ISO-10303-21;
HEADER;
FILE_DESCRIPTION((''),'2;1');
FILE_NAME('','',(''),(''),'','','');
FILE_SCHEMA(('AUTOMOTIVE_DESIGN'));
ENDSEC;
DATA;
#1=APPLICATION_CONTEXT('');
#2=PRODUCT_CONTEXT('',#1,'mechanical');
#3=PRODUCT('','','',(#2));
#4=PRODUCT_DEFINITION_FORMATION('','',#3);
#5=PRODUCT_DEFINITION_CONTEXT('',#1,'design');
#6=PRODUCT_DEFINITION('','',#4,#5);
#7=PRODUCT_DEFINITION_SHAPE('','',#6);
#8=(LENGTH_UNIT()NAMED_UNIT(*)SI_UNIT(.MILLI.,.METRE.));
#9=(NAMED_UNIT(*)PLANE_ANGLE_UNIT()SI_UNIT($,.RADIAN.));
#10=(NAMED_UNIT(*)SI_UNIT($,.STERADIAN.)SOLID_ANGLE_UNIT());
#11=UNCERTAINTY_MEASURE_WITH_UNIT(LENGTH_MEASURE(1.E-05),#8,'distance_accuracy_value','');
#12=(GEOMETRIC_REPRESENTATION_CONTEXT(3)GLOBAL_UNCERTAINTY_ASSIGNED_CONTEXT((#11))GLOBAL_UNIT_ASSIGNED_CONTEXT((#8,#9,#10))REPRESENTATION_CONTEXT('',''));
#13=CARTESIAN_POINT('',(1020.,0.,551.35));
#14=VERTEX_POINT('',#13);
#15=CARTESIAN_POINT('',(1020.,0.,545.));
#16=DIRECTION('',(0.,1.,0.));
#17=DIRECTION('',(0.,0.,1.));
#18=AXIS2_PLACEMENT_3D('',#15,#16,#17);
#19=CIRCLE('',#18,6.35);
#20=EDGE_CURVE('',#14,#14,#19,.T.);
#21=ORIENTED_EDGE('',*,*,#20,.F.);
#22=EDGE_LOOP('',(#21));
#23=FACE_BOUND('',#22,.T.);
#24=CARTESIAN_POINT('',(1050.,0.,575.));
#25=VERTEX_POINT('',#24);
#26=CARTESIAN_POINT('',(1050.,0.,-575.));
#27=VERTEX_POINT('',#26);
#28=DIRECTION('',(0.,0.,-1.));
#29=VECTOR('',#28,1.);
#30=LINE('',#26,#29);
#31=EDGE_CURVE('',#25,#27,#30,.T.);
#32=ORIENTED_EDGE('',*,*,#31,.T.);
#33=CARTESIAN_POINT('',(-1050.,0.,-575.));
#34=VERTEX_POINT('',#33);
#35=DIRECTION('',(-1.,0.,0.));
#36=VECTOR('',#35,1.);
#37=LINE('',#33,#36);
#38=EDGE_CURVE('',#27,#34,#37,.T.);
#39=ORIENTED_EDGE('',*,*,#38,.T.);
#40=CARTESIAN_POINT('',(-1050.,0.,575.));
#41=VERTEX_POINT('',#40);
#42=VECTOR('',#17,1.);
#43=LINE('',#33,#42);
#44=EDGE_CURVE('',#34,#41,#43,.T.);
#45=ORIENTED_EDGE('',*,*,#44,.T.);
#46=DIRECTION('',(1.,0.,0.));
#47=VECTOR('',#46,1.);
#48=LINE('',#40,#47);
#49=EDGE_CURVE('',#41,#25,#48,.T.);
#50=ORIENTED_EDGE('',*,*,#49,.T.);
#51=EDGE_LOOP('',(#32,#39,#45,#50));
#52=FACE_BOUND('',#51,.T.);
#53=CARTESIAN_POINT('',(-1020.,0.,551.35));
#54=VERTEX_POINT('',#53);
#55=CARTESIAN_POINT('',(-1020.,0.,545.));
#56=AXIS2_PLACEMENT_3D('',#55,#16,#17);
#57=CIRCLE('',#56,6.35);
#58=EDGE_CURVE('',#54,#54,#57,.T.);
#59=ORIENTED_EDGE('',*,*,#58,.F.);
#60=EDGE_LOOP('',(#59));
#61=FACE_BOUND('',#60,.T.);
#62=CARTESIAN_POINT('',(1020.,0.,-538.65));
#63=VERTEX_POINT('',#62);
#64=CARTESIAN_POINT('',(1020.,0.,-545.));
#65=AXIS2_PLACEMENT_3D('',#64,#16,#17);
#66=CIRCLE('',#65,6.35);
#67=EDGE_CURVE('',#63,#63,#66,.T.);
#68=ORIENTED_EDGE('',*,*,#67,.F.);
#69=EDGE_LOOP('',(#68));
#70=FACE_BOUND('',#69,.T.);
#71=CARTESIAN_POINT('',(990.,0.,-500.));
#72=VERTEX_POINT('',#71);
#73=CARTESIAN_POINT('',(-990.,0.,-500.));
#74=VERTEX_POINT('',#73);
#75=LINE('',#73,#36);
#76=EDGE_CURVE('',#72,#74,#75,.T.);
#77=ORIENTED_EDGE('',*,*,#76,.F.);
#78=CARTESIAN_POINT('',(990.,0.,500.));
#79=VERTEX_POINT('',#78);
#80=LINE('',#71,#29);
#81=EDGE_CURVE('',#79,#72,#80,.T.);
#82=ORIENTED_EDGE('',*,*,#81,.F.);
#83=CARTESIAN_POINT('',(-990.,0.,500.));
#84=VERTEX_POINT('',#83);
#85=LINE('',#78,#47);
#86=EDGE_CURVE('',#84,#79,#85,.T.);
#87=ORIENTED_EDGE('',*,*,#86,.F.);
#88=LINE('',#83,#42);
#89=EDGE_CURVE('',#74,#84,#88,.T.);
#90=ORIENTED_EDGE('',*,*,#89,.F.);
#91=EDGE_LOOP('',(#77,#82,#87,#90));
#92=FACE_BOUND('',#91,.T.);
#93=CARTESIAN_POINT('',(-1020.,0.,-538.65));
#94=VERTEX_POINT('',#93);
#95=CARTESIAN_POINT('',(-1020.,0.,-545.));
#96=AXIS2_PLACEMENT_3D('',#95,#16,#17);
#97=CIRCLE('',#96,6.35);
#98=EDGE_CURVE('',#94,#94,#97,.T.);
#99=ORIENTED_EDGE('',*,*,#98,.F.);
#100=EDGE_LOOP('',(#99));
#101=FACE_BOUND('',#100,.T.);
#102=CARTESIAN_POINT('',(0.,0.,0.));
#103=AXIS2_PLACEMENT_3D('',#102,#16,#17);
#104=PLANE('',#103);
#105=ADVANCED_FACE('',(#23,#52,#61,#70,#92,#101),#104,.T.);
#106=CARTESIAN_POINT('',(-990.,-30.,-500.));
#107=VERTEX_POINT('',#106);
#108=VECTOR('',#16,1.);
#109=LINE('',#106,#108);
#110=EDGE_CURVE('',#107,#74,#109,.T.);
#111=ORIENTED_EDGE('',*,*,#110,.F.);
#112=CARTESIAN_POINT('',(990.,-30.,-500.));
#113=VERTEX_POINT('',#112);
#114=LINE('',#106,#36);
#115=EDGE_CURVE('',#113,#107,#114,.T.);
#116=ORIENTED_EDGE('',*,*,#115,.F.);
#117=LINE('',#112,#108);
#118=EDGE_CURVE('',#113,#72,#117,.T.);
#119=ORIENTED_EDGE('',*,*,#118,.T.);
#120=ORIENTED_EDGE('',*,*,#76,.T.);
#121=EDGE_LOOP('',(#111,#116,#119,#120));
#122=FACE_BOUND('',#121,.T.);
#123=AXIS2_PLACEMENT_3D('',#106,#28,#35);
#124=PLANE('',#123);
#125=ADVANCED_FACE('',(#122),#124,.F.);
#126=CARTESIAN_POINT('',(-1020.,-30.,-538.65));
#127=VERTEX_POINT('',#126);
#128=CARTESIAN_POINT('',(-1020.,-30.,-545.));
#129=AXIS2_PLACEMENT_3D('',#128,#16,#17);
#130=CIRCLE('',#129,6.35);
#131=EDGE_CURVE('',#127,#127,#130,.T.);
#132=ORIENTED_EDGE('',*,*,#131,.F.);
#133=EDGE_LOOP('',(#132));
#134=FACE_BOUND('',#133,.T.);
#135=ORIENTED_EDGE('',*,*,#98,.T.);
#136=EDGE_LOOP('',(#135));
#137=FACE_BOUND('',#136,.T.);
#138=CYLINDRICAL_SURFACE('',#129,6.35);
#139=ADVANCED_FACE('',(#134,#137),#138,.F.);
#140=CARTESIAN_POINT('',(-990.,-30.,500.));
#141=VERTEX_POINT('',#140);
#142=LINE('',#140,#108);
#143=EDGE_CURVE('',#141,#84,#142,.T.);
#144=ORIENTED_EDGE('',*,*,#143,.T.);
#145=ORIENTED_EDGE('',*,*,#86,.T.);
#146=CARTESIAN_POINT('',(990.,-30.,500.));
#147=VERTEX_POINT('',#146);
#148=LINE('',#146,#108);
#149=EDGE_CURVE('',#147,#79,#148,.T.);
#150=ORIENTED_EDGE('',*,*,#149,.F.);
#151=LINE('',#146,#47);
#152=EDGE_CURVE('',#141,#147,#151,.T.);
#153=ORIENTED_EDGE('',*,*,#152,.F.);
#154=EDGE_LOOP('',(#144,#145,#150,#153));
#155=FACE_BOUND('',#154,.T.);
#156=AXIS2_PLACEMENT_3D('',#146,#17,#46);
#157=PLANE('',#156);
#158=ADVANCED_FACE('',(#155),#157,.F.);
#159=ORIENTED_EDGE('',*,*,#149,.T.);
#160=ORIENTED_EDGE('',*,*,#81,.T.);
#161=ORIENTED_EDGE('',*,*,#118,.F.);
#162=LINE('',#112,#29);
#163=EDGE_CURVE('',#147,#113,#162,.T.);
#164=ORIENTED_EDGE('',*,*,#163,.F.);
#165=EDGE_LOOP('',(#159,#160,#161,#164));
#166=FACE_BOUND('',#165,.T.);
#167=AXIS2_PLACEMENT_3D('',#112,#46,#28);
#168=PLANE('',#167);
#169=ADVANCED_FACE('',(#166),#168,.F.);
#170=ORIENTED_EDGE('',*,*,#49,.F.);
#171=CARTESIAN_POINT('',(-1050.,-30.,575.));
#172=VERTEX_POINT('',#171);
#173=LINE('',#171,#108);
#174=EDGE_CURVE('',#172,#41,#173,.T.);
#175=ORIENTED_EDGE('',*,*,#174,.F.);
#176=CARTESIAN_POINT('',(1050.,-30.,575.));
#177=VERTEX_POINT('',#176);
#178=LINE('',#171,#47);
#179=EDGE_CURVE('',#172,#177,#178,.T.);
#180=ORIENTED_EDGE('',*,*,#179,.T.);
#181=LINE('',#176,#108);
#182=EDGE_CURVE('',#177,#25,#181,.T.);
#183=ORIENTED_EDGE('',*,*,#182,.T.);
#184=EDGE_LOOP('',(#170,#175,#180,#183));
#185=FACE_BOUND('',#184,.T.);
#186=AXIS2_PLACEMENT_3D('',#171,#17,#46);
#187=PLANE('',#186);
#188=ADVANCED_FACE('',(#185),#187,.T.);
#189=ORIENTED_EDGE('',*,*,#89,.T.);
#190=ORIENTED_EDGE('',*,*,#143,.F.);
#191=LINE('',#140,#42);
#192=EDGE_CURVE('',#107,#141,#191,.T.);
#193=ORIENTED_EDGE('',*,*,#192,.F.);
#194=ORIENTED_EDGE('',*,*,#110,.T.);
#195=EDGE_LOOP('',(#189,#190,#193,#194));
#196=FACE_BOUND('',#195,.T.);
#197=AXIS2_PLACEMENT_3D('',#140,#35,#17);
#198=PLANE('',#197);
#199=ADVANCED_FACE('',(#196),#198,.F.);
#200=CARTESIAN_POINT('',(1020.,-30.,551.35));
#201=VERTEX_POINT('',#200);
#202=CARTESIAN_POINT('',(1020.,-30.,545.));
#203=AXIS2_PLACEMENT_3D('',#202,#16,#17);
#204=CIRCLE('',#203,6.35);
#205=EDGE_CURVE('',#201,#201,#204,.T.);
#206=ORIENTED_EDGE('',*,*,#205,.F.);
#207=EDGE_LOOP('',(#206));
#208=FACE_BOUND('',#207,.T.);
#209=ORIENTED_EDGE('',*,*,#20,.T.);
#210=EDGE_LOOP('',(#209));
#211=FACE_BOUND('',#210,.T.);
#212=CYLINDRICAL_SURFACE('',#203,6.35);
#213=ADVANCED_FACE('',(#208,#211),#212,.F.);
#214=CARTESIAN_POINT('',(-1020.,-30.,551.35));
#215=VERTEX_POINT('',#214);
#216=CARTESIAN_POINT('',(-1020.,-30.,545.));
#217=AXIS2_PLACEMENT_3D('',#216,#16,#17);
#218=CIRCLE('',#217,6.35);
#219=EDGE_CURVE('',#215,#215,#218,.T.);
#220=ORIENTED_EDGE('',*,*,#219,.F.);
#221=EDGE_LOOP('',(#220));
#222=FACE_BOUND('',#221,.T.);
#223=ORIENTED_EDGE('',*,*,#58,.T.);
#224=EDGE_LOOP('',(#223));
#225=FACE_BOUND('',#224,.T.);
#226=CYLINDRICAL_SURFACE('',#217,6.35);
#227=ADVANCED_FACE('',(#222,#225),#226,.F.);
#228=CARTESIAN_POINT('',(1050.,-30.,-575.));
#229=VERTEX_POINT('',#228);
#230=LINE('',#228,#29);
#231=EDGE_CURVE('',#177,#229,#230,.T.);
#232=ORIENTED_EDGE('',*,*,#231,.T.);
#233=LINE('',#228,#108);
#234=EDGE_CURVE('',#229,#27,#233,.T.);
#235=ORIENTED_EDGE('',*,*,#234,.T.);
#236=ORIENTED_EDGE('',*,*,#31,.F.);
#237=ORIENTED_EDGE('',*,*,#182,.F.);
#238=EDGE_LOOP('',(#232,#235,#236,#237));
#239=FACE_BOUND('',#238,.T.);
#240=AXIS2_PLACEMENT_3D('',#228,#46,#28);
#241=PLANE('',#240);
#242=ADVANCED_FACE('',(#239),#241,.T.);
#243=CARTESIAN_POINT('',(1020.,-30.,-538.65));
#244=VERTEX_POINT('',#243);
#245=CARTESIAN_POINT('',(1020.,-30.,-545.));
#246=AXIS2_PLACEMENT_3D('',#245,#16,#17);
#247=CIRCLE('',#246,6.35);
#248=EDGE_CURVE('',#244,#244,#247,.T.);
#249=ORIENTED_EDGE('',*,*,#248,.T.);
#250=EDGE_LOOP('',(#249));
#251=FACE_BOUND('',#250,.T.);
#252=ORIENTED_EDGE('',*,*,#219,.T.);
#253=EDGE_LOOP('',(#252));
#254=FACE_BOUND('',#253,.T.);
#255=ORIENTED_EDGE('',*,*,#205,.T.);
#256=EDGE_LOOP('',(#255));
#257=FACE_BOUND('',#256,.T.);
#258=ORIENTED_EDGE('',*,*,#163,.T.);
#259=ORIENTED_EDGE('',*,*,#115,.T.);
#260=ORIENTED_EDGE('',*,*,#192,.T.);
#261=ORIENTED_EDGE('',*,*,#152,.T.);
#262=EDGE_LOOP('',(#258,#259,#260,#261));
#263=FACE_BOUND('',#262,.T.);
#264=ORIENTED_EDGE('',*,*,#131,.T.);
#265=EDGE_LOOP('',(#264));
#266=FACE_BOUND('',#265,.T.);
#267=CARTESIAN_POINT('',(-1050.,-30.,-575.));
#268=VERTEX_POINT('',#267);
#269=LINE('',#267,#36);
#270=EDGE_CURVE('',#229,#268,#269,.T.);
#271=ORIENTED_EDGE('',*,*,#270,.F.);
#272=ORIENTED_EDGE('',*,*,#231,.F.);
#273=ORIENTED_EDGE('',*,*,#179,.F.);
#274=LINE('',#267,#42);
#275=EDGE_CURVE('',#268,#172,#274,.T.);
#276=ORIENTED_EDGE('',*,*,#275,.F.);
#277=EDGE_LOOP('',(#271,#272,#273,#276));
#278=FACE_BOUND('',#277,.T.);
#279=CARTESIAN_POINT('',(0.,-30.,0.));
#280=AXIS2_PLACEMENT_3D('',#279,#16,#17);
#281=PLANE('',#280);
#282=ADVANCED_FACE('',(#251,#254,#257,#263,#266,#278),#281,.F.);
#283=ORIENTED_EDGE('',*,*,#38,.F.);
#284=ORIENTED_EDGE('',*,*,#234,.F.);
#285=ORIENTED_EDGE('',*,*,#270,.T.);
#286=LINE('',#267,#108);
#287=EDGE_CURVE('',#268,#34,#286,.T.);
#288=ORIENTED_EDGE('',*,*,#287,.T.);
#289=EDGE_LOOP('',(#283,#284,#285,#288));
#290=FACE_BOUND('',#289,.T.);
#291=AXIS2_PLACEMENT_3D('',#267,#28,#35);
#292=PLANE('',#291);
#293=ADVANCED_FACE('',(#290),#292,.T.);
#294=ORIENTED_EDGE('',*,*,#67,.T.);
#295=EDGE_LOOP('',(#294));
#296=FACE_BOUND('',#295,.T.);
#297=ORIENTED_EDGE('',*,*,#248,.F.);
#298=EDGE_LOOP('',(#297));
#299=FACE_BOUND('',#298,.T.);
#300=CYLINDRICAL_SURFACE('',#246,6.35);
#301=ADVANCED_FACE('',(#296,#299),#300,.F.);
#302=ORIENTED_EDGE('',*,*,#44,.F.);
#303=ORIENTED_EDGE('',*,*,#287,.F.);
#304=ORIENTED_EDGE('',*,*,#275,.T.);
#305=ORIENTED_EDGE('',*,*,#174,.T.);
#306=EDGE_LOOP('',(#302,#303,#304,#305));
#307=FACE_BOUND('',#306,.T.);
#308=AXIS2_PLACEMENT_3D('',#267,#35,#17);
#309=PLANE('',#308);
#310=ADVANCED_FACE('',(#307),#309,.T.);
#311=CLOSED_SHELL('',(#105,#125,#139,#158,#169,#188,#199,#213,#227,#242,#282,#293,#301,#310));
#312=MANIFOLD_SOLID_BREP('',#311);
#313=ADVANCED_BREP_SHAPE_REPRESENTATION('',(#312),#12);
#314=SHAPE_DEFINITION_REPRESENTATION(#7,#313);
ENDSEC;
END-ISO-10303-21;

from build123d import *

# Parameters (mm, degrees)
SKETCH1_W           = 2100
SKETCH1_H           = 1150
SKETCH1_W_2         = 1980
SKETCH1_H_2         = 1000
BOSS_EXTRUDE1_DEPTH = 30
SKETCH2_R           = 6.35
CUT_EXTRUDE1_DEPTH  = 1198.507828784


with BuildPart() as part:
    # Sketch1 → Boss-Extrude1 (new body)
    with BuildSketch(Plane(origin=(0, 0, 0), x_dir=(1, 0, 0), z_dir=(0, 1, 0))):
        Rectangle(SKETCH1_W, SKETCH1_H)
        Rectangle(SKETCH1_W_2, SKETCH1_H_2, mode=Mode.SUBTRACT)
    extrude(amount=-BOSS_EXTRUDE1_DEPTH)

    # Sketch2 → Cut-Extrude1 (cut, through all)
    with BuildSketch(Plane(origin=(0, 0, 0), x_dir=(1, 0, 0), z_dir=(0, 1, 0))):
        with Locations(Location((-1020, 545, 0), (0, 0, 270))):
            Circle(SKETCH2_R)
        with Locations(Location((-1020, -545, 0), (0, 0, 270))):
            Circle(SKETCH2_R)
        with Locations(Location((1020, 545, 0), (0, 0, 270))):
            Circle(SKETCH2_R)
        with Locations(Location((1020, -545, 0), (0, 0, 270))):
            Circle(SKETCH2_R)
    extrude(amount=-CUT_EXTRUDE1_DEPTH, mode=Mode.SUBTRACT)


solid = part.part
